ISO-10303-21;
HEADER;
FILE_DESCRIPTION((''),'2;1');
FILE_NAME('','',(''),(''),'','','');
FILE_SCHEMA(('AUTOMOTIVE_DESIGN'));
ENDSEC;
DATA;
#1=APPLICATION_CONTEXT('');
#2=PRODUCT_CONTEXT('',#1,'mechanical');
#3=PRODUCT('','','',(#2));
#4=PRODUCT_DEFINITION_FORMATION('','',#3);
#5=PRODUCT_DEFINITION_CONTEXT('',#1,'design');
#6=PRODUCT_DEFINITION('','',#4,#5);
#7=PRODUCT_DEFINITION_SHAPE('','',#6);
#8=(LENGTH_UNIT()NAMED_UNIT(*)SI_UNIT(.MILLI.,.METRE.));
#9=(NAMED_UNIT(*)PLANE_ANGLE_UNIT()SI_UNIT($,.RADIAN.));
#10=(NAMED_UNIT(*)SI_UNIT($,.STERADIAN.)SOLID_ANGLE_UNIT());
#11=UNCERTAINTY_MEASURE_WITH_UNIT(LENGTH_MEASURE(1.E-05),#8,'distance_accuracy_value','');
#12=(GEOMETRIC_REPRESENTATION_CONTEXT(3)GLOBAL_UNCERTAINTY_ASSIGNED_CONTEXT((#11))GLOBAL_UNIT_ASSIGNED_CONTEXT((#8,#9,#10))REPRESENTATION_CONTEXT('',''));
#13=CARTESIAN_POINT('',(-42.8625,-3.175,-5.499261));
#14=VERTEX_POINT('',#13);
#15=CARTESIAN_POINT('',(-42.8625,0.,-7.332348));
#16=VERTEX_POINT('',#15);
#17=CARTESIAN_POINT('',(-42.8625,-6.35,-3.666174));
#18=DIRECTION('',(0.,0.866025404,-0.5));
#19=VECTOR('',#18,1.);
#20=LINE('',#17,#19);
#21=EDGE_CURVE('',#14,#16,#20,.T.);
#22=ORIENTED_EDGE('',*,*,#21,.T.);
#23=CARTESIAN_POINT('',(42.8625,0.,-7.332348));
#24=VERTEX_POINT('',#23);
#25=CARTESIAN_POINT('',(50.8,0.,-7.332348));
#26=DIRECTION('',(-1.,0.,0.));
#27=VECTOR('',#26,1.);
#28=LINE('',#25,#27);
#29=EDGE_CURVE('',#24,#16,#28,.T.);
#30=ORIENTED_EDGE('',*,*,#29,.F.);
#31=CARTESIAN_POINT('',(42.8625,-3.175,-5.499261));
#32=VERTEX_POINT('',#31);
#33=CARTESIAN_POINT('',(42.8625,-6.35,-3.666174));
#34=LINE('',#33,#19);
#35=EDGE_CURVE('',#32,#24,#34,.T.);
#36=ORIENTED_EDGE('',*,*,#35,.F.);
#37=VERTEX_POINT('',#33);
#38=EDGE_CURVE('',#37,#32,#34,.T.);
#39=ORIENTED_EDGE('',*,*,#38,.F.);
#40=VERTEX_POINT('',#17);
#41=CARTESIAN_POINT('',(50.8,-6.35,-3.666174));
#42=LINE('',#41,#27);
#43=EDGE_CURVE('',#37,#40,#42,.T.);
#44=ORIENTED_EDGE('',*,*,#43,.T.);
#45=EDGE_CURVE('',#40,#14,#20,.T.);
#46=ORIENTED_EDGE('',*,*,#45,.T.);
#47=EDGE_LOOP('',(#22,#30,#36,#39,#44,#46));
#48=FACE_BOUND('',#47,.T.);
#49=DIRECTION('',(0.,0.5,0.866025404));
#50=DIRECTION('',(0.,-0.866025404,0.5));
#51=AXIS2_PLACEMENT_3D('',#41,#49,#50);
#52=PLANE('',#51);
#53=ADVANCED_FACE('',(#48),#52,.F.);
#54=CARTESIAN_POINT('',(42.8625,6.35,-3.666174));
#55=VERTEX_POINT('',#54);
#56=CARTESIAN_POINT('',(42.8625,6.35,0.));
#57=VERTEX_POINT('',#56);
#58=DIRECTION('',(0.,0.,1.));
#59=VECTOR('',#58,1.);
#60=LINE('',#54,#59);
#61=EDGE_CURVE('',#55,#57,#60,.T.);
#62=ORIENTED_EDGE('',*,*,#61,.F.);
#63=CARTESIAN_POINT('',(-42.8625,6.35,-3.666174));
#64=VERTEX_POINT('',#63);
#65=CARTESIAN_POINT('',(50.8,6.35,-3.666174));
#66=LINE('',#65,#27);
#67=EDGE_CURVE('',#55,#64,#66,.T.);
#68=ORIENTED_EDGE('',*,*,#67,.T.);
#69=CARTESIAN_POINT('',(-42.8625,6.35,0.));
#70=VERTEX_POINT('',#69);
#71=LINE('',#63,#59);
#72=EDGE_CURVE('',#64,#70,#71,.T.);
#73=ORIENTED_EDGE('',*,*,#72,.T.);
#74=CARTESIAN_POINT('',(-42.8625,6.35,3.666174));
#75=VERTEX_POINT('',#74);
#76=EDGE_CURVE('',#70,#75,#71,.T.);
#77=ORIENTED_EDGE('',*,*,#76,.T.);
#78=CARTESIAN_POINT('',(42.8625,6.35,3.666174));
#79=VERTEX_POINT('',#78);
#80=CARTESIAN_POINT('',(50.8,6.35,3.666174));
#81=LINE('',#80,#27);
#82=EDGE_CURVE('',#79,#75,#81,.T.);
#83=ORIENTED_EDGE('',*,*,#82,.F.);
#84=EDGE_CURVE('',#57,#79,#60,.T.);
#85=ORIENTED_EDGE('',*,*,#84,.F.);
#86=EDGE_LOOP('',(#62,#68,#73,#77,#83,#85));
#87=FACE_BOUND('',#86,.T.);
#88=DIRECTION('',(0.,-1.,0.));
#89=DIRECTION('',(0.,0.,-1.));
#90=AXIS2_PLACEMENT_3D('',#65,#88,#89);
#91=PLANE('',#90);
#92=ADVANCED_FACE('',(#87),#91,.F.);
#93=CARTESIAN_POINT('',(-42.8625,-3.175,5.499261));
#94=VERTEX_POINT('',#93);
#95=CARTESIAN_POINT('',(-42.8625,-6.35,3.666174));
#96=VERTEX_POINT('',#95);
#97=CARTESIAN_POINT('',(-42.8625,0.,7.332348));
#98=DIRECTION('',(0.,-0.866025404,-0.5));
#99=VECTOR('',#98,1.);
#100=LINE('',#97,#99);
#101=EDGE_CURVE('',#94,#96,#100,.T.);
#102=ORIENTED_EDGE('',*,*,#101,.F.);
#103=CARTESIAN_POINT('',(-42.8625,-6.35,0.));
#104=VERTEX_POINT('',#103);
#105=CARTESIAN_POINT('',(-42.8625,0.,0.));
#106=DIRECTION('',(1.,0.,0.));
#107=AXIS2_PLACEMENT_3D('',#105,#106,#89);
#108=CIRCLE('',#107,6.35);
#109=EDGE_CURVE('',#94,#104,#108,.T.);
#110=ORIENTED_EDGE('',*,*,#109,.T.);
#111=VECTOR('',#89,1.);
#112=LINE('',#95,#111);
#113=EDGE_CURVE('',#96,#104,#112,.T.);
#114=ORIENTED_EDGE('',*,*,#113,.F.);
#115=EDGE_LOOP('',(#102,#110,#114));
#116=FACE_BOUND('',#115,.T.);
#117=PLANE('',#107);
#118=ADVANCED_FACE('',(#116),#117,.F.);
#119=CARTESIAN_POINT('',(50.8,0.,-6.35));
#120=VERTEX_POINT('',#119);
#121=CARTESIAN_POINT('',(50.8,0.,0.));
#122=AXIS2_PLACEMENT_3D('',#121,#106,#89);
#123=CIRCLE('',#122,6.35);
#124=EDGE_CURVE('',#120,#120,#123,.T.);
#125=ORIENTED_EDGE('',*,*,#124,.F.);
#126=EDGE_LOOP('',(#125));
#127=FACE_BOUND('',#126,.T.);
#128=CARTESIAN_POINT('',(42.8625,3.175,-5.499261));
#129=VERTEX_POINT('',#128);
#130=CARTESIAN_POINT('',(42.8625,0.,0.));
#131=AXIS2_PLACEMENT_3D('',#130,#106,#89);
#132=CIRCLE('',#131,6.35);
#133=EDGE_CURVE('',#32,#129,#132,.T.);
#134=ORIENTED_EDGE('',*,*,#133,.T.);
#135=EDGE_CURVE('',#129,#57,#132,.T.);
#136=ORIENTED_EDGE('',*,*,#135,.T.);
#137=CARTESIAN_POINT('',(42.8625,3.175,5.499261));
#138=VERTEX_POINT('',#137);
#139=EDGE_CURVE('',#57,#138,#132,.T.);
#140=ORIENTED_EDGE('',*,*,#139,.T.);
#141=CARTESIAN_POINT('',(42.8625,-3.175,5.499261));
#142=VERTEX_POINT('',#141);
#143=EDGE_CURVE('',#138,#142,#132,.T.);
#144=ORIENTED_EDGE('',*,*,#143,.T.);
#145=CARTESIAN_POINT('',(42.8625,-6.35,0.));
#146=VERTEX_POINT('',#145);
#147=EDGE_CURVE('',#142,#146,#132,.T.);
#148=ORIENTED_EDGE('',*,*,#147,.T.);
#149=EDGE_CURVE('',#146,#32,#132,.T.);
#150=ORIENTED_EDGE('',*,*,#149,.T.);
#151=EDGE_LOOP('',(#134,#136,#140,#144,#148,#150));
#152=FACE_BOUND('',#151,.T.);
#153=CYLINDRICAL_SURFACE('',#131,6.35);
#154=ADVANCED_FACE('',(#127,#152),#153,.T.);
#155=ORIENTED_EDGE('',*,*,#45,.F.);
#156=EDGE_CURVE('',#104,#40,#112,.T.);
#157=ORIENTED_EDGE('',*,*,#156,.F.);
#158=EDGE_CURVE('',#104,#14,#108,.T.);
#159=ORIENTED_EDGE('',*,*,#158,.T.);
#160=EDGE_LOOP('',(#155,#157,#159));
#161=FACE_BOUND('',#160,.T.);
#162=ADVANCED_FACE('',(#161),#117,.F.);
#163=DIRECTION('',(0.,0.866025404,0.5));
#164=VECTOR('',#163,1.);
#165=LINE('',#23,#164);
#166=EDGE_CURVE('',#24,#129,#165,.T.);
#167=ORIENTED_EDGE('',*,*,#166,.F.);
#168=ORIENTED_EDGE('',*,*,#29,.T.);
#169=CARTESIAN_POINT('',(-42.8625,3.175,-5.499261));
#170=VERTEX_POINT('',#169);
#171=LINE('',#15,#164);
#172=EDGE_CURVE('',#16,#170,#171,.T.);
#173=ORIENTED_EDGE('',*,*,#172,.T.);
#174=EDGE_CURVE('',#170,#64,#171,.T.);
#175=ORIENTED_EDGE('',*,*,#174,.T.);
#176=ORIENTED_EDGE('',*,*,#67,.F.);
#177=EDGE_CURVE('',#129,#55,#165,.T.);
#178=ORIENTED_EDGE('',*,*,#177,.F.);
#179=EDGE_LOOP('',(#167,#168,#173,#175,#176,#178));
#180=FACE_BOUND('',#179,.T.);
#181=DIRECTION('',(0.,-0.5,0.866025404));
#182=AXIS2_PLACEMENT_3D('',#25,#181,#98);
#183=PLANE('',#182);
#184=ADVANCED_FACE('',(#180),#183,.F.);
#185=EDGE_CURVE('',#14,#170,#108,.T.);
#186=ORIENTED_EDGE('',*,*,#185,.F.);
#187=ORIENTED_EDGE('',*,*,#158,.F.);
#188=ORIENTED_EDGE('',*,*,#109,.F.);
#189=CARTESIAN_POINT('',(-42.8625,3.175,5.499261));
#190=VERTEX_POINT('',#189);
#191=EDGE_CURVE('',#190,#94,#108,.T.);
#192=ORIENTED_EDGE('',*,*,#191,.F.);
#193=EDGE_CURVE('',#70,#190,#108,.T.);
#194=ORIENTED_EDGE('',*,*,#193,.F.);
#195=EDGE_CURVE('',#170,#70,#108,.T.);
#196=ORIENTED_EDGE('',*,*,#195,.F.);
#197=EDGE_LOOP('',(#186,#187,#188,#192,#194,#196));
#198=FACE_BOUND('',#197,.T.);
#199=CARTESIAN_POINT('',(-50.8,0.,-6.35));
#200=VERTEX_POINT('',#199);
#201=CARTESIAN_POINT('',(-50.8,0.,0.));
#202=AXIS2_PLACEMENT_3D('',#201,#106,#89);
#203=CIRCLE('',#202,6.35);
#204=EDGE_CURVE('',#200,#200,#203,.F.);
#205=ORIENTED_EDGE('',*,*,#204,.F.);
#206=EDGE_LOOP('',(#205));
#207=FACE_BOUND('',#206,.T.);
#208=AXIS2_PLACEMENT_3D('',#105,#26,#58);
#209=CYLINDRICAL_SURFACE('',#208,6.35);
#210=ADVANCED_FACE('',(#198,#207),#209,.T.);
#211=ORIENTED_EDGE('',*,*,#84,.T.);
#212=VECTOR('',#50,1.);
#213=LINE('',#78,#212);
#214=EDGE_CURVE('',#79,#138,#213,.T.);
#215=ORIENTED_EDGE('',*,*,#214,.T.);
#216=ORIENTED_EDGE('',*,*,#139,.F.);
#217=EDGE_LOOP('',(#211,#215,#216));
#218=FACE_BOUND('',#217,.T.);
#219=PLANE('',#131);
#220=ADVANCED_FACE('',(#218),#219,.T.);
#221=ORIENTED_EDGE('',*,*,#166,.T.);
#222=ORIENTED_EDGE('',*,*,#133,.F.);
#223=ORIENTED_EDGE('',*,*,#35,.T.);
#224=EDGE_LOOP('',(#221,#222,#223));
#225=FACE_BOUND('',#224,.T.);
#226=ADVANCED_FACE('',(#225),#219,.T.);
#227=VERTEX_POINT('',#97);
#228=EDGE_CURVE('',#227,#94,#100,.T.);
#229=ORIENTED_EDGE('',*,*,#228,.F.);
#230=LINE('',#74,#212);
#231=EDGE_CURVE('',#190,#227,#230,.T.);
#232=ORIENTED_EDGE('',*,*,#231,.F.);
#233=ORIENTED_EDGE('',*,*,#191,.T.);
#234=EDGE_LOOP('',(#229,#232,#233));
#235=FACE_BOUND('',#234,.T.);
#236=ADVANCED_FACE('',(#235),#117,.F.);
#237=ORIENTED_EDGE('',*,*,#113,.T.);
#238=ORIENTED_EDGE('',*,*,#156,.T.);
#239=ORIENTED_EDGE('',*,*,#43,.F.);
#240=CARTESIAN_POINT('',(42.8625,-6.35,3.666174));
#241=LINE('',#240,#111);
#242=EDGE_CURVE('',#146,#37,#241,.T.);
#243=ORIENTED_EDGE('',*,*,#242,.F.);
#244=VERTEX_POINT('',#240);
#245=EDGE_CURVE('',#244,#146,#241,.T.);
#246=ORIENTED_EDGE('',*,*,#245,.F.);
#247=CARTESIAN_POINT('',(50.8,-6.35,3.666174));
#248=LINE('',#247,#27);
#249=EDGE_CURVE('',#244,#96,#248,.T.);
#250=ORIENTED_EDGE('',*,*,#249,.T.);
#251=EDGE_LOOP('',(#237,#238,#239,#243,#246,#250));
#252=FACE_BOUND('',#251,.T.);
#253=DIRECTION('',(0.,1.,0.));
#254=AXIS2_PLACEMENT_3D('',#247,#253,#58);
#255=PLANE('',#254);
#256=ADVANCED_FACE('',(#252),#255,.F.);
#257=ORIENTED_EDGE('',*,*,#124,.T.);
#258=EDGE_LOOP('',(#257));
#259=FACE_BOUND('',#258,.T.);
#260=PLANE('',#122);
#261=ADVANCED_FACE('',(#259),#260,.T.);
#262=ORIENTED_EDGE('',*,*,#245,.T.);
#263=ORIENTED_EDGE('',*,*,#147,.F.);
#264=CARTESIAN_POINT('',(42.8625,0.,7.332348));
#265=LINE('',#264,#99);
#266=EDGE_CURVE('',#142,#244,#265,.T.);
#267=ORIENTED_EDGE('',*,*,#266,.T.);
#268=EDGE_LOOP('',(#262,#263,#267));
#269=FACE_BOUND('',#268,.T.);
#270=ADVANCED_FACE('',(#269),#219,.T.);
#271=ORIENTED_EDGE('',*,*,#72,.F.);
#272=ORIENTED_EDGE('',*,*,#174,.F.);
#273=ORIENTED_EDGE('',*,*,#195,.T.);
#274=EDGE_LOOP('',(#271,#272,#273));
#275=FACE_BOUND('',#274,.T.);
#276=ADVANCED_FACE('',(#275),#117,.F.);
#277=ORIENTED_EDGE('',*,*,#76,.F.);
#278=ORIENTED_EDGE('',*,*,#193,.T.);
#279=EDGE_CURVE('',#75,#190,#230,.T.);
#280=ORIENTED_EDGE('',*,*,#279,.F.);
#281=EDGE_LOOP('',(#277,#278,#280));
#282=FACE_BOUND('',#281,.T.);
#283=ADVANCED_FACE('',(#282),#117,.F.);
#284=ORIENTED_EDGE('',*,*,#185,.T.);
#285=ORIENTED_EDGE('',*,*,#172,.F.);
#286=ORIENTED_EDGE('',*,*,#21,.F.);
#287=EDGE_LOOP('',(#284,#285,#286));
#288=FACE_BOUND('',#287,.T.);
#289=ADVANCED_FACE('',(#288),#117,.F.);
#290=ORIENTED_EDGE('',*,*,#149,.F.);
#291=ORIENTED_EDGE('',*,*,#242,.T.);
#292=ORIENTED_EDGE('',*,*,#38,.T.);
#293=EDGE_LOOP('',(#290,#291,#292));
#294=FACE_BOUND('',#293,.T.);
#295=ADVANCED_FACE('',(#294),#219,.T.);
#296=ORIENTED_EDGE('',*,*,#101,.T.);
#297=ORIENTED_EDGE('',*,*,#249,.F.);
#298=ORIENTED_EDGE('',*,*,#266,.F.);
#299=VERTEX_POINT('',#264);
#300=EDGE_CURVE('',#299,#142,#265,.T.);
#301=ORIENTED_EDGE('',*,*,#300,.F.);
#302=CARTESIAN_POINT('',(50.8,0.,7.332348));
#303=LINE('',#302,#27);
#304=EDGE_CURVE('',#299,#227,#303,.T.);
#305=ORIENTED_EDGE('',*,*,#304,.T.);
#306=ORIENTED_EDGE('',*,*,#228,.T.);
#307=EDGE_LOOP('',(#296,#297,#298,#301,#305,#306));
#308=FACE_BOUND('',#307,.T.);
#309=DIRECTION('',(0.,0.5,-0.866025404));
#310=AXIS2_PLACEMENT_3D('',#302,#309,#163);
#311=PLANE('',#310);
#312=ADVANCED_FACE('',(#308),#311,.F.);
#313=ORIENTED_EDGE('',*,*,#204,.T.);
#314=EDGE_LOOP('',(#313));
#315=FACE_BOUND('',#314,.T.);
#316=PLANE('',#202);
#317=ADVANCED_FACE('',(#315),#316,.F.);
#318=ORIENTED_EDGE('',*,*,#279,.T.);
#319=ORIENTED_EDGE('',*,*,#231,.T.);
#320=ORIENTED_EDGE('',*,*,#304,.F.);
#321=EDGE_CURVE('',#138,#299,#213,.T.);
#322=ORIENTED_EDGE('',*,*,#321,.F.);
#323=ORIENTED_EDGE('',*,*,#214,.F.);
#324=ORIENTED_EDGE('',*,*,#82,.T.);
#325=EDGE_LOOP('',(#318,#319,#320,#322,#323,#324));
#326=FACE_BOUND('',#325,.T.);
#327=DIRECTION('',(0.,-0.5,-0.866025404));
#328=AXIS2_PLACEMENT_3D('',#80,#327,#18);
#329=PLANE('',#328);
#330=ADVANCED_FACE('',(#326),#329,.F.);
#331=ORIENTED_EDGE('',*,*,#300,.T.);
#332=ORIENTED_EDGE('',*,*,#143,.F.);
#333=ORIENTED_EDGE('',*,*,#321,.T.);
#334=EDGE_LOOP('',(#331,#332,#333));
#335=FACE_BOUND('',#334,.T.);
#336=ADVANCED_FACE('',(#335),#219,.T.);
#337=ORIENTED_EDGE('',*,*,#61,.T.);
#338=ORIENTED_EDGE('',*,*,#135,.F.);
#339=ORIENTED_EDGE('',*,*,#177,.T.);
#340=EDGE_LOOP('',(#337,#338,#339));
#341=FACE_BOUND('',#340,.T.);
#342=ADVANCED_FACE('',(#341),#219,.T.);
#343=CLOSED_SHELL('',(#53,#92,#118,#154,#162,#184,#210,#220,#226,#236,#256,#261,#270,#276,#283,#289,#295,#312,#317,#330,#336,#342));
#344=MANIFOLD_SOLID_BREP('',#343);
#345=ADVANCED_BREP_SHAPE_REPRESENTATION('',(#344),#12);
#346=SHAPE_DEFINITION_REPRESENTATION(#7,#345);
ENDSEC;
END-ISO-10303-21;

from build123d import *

# Parameters (mm, degrees)
BOSS_EXTRUDE1_DEPTH     = 50.8
SKETCH3_R               = 8.89
SKETCH3_R_2             = 6.35
CUT_EXTRUDE_THIN1_DEPTH = 7.9375


with BuildPart() as part:
    # Sketch2 → Boss-Extrude1 (new body, symmetric)
    with BuildSketch(Plane(origin=(0, 0, 0), x_dir=(0, 0, -1), z_dir=(1, 0, 0))):
        Polygon((7.332348419, 0), (3.666174209, 6.35), (-3.666174209, 6.35), (-7.332348419, 0), (-3.666174209, -6.35), (3.666174209, -6.35), align=None)
    extrude(amount=BOSS_EXTRUDE1_DEPTH, both=True)

    # Sketch3 → Cut-Extrude-Thin1 (cut)
    with BuildSketch(Plane(origin=(50.8, 0, 0), x_dir=(0, 0, -1), z_dir=(1, 0, 0))):
        Circle(SKETCH3_R)
        Circle(SKETCH3_R_2, mode=Mode.SUBTRACT)
    cut_extrude_thin1 = extrude(amount=-CUT_EXTRUDE_THIN1_DEPTH, mode=Mode.SUBTRACT)

    # Mirror1: Cut-Extrude-Thin1 across plane
    add(cut_extrude_thin1.mirror(Plane(origin=(0, 0, 0), x_dir=(0, 0, 1), z_dir=(1, 0, 0))), mode=Mode.SUBTRACT)


solid = part.part
